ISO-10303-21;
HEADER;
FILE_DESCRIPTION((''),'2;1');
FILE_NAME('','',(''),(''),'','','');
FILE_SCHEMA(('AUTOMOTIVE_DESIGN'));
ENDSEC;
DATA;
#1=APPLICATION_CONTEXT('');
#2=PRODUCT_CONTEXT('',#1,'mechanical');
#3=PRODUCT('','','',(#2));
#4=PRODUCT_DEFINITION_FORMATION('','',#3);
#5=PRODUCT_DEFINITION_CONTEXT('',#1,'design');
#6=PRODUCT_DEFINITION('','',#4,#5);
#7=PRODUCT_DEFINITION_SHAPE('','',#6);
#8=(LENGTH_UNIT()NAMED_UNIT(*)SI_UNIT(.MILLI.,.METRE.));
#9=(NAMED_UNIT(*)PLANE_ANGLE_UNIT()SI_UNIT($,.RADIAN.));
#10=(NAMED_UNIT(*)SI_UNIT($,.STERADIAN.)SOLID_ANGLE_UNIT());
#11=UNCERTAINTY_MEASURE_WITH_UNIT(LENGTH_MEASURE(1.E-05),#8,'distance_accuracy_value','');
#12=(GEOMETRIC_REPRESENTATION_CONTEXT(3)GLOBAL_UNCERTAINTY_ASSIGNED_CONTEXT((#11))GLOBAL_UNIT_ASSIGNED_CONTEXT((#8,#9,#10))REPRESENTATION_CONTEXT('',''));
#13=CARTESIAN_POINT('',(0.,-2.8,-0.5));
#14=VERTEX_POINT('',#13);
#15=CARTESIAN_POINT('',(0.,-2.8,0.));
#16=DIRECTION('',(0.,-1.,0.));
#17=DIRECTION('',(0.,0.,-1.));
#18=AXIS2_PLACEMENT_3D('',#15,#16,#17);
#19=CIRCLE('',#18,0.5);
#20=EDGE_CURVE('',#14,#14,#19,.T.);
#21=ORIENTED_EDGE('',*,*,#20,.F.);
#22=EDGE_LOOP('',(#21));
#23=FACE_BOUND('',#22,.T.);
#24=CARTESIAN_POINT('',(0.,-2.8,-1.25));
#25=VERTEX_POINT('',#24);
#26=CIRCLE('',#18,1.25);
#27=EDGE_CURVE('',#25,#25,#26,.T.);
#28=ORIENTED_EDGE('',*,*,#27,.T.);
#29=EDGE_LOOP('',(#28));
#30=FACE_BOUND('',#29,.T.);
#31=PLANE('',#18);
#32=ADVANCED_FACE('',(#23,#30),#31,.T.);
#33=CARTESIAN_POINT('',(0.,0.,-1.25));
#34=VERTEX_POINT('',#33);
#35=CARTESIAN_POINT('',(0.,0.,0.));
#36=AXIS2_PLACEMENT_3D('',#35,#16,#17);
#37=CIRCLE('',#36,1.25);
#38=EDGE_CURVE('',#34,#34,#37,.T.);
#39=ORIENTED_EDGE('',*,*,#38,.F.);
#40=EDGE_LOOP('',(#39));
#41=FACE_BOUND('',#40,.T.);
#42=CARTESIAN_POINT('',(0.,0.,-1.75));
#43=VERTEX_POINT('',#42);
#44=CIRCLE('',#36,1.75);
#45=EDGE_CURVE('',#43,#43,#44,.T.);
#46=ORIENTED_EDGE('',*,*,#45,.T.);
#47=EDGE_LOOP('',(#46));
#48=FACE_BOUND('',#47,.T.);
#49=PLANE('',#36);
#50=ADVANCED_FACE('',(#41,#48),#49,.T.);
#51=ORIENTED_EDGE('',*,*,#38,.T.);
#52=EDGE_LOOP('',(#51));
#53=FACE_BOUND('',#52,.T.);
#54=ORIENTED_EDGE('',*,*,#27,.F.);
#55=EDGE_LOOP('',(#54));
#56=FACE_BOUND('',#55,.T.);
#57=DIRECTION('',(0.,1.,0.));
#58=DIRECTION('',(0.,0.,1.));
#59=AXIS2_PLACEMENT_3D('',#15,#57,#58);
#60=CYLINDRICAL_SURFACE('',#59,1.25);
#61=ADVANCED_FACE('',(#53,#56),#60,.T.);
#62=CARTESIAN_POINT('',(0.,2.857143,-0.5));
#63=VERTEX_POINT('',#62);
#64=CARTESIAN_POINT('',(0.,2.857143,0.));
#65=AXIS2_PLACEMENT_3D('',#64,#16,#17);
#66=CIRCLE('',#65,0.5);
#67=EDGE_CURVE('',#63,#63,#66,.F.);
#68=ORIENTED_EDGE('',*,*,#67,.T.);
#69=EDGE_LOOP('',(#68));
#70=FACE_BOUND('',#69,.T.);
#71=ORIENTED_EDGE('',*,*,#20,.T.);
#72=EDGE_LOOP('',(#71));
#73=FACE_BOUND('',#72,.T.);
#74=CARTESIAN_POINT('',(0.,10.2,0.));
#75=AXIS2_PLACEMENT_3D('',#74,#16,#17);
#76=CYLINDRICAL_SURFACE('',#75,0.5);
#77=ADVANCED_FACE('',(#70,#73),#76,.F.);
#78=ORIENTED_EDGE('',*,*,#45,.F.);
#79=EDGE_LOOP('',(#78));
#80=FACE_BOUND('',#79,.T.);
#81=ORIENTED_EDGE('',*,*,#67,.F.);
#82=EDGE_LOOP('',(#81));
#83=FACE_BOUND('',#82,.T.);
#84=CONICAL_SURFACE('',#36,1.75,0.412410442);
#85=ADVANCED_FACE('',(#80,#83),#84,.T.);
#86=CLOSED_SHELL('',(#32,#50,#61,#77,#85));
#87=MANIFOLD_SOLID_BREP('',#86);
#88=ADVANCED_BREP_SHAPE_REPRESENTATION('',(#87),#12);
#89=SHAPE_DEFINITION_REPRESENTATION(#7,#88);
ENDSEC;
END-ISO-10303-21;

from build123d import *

# Parameters (mm, degrees)
ESQUISSE3_R             = 1.25
BOSS_EXTRU_1_DEPTH      = 2.8
ESQUISSE4_R             = 0.5
ENL_V_MAT_EXTRU_1_DEPTH = 13


with BuildPart() as part:
    # Esquisse1 → Révolution1 (revolve)
    with BuildSketch(Plane.XY, mode=Mode.PRIVATE) as r_volution1_sk:
        Polygon((0, 0), (1.75, 0), (0, 4), align=None)
    revolve(r_volution1_sk.sketch.rotate(Axis((0, 0, 0), (0, 1, 0)), 90), axis=Axis((0, 0, 0), (0, 1, 0)))  # turned: the seam where the file's is

    # Esquisse3 → Boss.-Extru.1 (add)
    with BuildSketch(Plane(origin=(0, 0, 0), x_dir=(-1, 0, 0), z_dir=(0, -1, 0))):
        with Locations(Location((0, 0, 0), (0, 0, 90))):  # turned: the seam where the file's is
            Circle(ESQUISSE3_R)
    extrude(amount=BOSS_EXTRU_1_DEPTH)

    # Esquisse4 → Enlèv. mat.-Extru.1 (cut)
    with BuildSketch(Plane.XZ.offset(2.8)):
        with Locations(Location((0, 0, 0), (0, 0, 270))):  # turned: the seam where the file's is
            Circle(ESQUISSE4_R)
    extrude(amount=-ENL_V_MAT_EXTRU_1_DEPTH, mode=Mode.SUBTRACT)


solid = part.part
